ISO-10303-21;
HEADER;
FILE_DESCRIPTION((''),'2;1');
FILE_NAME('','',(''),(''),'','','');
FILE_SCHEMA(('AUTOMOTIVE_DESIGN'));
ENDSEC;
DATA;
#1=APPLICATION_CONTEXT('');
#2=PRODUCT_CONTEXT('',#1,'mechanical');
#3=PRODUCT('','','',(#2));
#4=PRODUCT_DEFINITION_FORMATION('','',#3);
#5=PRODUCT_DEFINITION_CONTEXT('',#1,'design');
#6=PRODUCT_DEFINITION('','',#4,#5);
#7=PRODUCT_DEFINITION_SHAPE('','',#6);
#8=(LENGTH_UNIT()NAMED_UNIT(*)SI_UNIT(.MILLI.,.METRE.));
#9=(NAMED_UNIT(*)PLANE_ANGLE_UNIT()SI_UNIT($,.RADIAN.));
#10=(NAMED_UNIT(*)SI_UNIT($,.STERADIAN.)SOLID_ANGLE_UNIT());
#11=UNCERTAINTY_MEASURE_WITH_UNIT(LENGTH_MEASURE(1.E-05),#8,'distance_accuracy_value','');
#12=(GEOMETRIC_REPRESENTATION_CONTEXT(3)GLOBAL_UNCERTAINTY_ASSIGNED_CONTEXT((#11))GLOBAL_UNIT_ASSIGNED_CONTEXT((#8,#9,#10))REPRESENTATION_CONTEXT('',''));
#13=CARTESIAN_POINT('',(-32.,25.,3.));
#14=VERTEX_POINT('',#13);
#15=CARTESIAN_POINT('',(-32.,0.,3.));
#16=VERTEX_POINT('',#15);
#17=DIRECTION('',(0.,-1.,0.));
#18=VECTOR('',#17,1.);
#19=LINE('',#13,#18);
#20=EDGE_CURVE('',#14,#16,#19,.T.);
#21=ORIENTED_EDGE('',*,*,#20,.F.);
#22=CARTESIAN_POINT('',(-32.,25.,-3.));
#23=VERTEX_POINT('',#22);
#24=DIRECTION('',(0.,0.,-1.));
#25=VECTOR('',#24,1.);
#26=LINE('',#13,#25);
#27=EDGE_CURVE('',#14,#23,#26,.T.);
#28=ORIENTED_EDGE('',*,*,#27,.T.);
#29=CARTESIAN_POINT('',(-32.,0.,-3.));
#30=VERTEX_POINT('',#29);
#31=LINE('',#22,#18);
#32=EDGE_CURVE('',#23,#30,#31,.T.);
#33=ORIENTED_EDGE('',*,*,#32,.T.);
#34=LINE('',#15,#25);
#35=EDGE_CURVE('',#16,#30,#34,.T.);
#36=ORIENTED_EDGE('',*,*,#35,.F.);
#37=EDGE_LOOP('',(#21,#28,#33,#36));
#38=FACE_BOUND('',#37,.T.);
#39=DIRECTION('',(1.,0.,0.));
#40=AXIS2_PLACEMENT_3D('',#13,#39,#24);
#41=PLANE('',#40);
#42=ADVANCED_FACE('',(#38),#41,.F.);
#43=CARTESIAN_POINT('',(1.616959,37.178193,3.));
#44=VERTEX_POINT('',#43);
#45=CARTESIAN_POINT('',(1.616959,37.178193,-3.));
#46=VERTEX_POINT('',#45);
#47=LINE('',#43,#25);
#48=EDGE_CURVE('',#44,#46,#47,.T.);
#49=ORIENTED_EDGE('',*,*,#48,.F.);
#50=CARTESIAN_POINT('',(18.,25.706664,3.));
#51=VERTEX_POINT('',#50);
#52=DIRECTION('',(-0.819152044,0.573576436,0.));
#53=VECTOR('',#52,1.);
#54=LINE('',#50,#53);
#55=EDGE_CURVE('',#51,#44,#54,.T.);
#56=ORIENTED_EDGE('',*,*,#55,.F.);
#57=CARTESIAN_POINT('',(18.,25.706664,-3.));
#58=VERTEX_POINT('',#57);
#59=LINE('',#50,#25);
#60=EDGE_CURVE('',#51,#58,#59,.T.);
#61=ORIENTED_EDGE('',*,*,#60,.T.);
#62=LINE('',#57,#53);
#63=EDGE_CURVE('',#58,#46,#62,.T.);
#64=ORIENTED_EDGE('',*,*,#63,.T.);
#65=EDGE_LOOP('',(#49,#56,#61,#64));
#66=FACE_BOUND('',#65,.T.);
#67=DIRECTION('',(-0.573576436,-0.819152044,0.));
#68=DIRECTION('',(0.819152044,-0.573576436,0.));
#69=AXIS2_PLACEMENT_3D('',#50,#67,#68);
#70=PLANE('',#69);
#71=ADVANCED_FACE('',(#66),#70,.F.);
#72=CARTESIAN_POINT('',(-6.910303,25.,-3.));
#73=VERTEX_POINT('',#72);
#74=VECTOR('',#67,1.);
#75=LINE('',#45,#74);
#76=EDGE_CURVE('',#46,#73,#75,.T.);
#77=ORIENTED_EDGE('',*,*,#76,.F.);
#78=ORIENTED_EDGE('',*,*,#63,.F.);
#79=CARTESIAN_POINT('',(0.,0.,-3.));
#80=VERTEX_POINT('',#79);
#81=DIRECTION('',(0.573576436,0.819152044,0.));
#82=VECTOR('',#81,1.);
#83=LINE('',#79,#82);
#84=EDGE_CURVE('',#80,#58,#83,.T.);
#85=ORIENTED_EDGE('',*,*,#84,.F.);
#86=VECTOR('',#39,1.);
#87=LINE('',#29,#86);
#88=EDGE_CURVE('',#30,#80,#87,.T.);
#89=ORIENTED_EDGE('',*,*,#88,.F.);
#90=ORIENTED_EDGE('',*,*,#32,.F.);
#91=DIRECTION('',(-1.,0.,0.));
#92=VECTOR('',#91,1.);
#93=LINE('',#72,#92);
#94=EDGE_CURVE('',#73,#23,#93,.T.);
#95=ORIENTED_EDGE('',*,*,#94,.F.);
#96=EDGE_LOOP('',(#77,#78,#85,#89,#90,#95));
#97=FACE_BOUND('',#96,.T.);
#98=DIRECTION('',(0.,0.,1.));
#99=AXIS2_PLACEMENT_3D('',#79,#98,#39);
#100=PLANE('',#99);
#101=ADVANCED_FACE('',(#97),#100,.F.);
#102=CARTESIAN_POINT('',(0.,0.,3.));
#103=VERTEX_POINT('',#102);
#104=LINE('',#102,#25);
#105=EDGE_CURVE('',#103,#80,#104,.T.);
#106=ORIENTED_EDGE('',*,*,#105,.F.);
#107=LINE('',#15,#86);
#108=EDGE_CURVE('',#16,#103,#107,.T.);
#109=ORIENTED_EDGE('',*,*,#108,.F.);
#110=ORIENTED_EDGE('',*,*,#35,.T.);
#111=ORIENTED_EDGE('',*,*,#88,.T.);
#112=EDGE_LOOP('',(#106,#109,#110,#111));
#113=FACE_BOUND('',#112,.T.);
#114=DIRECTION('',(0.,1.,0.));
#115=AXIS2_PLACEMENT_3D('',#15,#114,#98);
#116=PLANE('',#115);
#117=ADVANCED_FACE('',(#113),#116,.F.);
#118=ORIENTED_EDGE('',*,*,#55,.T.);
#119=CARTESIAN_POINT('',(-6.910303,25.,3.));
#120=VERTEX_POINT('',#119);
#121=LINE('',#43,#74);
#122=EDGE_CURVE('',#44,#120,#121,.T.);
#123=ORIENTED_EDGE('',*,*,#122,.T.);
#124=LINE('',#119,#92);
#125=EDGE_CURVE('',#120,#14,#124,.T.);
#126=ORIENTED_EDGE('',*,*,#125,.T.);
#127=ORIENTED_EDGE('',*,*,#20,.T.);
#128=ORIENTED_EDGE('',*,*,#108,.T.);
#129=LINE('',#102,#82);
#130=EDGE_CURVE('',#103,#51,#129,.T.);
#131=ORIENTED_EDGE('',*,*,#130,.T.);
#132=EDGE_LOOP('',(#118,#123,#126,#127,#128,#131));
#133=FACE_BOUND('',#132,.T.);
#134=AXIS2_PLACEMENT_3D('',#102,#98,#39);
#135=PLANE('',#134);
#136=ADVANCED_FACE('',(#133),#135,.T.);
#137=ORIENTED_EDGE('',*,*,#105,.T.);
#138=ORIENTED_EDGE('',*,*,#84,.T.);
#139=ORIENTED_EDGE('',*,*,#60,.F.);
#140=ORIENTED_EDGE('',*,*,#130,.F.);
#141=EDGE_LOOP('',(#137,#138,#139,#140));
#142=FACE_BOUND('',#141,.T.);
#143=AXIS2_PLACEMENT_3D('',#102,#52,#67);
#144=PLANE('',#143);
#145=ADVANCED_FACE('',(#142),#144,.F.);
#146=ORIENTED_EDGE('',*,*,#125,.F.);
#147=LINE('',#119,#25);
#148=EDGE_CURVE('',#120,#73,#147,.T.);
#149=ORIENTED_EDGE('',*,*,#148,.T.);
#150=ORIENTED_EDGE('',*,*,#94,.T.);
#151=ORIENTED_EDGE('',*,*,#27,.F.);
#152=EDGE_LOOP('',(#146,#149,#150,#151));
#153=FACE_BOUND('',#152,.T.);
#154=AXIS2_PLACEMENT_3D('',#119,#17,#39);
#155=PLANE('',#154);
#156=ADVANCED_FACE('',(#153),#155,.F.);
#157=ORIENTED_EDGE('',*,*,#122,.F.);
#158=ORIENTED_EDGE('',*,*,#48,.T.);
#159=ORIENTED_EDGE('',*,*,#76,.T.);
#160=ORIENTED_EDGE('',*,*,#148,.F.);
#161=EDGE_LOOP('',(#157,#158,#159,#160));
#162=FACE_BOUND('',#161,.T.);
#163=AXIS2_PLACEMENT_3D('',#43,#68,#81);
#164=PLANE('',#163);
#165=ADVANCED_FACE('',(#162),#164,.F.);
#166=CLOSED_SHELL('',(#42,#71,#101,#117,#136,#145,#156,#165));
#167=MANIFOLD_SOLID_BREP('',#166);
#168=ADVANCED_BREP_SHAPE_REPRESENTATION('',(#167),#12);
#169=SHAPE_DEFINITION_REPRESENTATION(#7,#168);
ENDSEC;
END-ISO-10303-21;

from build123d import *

# Parameters (mm, degrees)
BOSS_EXTRUDE1_DEPTH = 3


with BuildPart() as part:
    # Sketch1 → Boss-Extrude1 (new body, symmetric)
    with BuildSketch(Plane.XY):
        Polygon((-32, 0), (0, 0), (18, 25.706664121), (1.616959114, 37.178192848), (-6.91030332, 25), (-32, 25), align=None)
    extrude(amount=BOSS_EXTRUDE1_DEPTH, both=True)


solid = part.part
